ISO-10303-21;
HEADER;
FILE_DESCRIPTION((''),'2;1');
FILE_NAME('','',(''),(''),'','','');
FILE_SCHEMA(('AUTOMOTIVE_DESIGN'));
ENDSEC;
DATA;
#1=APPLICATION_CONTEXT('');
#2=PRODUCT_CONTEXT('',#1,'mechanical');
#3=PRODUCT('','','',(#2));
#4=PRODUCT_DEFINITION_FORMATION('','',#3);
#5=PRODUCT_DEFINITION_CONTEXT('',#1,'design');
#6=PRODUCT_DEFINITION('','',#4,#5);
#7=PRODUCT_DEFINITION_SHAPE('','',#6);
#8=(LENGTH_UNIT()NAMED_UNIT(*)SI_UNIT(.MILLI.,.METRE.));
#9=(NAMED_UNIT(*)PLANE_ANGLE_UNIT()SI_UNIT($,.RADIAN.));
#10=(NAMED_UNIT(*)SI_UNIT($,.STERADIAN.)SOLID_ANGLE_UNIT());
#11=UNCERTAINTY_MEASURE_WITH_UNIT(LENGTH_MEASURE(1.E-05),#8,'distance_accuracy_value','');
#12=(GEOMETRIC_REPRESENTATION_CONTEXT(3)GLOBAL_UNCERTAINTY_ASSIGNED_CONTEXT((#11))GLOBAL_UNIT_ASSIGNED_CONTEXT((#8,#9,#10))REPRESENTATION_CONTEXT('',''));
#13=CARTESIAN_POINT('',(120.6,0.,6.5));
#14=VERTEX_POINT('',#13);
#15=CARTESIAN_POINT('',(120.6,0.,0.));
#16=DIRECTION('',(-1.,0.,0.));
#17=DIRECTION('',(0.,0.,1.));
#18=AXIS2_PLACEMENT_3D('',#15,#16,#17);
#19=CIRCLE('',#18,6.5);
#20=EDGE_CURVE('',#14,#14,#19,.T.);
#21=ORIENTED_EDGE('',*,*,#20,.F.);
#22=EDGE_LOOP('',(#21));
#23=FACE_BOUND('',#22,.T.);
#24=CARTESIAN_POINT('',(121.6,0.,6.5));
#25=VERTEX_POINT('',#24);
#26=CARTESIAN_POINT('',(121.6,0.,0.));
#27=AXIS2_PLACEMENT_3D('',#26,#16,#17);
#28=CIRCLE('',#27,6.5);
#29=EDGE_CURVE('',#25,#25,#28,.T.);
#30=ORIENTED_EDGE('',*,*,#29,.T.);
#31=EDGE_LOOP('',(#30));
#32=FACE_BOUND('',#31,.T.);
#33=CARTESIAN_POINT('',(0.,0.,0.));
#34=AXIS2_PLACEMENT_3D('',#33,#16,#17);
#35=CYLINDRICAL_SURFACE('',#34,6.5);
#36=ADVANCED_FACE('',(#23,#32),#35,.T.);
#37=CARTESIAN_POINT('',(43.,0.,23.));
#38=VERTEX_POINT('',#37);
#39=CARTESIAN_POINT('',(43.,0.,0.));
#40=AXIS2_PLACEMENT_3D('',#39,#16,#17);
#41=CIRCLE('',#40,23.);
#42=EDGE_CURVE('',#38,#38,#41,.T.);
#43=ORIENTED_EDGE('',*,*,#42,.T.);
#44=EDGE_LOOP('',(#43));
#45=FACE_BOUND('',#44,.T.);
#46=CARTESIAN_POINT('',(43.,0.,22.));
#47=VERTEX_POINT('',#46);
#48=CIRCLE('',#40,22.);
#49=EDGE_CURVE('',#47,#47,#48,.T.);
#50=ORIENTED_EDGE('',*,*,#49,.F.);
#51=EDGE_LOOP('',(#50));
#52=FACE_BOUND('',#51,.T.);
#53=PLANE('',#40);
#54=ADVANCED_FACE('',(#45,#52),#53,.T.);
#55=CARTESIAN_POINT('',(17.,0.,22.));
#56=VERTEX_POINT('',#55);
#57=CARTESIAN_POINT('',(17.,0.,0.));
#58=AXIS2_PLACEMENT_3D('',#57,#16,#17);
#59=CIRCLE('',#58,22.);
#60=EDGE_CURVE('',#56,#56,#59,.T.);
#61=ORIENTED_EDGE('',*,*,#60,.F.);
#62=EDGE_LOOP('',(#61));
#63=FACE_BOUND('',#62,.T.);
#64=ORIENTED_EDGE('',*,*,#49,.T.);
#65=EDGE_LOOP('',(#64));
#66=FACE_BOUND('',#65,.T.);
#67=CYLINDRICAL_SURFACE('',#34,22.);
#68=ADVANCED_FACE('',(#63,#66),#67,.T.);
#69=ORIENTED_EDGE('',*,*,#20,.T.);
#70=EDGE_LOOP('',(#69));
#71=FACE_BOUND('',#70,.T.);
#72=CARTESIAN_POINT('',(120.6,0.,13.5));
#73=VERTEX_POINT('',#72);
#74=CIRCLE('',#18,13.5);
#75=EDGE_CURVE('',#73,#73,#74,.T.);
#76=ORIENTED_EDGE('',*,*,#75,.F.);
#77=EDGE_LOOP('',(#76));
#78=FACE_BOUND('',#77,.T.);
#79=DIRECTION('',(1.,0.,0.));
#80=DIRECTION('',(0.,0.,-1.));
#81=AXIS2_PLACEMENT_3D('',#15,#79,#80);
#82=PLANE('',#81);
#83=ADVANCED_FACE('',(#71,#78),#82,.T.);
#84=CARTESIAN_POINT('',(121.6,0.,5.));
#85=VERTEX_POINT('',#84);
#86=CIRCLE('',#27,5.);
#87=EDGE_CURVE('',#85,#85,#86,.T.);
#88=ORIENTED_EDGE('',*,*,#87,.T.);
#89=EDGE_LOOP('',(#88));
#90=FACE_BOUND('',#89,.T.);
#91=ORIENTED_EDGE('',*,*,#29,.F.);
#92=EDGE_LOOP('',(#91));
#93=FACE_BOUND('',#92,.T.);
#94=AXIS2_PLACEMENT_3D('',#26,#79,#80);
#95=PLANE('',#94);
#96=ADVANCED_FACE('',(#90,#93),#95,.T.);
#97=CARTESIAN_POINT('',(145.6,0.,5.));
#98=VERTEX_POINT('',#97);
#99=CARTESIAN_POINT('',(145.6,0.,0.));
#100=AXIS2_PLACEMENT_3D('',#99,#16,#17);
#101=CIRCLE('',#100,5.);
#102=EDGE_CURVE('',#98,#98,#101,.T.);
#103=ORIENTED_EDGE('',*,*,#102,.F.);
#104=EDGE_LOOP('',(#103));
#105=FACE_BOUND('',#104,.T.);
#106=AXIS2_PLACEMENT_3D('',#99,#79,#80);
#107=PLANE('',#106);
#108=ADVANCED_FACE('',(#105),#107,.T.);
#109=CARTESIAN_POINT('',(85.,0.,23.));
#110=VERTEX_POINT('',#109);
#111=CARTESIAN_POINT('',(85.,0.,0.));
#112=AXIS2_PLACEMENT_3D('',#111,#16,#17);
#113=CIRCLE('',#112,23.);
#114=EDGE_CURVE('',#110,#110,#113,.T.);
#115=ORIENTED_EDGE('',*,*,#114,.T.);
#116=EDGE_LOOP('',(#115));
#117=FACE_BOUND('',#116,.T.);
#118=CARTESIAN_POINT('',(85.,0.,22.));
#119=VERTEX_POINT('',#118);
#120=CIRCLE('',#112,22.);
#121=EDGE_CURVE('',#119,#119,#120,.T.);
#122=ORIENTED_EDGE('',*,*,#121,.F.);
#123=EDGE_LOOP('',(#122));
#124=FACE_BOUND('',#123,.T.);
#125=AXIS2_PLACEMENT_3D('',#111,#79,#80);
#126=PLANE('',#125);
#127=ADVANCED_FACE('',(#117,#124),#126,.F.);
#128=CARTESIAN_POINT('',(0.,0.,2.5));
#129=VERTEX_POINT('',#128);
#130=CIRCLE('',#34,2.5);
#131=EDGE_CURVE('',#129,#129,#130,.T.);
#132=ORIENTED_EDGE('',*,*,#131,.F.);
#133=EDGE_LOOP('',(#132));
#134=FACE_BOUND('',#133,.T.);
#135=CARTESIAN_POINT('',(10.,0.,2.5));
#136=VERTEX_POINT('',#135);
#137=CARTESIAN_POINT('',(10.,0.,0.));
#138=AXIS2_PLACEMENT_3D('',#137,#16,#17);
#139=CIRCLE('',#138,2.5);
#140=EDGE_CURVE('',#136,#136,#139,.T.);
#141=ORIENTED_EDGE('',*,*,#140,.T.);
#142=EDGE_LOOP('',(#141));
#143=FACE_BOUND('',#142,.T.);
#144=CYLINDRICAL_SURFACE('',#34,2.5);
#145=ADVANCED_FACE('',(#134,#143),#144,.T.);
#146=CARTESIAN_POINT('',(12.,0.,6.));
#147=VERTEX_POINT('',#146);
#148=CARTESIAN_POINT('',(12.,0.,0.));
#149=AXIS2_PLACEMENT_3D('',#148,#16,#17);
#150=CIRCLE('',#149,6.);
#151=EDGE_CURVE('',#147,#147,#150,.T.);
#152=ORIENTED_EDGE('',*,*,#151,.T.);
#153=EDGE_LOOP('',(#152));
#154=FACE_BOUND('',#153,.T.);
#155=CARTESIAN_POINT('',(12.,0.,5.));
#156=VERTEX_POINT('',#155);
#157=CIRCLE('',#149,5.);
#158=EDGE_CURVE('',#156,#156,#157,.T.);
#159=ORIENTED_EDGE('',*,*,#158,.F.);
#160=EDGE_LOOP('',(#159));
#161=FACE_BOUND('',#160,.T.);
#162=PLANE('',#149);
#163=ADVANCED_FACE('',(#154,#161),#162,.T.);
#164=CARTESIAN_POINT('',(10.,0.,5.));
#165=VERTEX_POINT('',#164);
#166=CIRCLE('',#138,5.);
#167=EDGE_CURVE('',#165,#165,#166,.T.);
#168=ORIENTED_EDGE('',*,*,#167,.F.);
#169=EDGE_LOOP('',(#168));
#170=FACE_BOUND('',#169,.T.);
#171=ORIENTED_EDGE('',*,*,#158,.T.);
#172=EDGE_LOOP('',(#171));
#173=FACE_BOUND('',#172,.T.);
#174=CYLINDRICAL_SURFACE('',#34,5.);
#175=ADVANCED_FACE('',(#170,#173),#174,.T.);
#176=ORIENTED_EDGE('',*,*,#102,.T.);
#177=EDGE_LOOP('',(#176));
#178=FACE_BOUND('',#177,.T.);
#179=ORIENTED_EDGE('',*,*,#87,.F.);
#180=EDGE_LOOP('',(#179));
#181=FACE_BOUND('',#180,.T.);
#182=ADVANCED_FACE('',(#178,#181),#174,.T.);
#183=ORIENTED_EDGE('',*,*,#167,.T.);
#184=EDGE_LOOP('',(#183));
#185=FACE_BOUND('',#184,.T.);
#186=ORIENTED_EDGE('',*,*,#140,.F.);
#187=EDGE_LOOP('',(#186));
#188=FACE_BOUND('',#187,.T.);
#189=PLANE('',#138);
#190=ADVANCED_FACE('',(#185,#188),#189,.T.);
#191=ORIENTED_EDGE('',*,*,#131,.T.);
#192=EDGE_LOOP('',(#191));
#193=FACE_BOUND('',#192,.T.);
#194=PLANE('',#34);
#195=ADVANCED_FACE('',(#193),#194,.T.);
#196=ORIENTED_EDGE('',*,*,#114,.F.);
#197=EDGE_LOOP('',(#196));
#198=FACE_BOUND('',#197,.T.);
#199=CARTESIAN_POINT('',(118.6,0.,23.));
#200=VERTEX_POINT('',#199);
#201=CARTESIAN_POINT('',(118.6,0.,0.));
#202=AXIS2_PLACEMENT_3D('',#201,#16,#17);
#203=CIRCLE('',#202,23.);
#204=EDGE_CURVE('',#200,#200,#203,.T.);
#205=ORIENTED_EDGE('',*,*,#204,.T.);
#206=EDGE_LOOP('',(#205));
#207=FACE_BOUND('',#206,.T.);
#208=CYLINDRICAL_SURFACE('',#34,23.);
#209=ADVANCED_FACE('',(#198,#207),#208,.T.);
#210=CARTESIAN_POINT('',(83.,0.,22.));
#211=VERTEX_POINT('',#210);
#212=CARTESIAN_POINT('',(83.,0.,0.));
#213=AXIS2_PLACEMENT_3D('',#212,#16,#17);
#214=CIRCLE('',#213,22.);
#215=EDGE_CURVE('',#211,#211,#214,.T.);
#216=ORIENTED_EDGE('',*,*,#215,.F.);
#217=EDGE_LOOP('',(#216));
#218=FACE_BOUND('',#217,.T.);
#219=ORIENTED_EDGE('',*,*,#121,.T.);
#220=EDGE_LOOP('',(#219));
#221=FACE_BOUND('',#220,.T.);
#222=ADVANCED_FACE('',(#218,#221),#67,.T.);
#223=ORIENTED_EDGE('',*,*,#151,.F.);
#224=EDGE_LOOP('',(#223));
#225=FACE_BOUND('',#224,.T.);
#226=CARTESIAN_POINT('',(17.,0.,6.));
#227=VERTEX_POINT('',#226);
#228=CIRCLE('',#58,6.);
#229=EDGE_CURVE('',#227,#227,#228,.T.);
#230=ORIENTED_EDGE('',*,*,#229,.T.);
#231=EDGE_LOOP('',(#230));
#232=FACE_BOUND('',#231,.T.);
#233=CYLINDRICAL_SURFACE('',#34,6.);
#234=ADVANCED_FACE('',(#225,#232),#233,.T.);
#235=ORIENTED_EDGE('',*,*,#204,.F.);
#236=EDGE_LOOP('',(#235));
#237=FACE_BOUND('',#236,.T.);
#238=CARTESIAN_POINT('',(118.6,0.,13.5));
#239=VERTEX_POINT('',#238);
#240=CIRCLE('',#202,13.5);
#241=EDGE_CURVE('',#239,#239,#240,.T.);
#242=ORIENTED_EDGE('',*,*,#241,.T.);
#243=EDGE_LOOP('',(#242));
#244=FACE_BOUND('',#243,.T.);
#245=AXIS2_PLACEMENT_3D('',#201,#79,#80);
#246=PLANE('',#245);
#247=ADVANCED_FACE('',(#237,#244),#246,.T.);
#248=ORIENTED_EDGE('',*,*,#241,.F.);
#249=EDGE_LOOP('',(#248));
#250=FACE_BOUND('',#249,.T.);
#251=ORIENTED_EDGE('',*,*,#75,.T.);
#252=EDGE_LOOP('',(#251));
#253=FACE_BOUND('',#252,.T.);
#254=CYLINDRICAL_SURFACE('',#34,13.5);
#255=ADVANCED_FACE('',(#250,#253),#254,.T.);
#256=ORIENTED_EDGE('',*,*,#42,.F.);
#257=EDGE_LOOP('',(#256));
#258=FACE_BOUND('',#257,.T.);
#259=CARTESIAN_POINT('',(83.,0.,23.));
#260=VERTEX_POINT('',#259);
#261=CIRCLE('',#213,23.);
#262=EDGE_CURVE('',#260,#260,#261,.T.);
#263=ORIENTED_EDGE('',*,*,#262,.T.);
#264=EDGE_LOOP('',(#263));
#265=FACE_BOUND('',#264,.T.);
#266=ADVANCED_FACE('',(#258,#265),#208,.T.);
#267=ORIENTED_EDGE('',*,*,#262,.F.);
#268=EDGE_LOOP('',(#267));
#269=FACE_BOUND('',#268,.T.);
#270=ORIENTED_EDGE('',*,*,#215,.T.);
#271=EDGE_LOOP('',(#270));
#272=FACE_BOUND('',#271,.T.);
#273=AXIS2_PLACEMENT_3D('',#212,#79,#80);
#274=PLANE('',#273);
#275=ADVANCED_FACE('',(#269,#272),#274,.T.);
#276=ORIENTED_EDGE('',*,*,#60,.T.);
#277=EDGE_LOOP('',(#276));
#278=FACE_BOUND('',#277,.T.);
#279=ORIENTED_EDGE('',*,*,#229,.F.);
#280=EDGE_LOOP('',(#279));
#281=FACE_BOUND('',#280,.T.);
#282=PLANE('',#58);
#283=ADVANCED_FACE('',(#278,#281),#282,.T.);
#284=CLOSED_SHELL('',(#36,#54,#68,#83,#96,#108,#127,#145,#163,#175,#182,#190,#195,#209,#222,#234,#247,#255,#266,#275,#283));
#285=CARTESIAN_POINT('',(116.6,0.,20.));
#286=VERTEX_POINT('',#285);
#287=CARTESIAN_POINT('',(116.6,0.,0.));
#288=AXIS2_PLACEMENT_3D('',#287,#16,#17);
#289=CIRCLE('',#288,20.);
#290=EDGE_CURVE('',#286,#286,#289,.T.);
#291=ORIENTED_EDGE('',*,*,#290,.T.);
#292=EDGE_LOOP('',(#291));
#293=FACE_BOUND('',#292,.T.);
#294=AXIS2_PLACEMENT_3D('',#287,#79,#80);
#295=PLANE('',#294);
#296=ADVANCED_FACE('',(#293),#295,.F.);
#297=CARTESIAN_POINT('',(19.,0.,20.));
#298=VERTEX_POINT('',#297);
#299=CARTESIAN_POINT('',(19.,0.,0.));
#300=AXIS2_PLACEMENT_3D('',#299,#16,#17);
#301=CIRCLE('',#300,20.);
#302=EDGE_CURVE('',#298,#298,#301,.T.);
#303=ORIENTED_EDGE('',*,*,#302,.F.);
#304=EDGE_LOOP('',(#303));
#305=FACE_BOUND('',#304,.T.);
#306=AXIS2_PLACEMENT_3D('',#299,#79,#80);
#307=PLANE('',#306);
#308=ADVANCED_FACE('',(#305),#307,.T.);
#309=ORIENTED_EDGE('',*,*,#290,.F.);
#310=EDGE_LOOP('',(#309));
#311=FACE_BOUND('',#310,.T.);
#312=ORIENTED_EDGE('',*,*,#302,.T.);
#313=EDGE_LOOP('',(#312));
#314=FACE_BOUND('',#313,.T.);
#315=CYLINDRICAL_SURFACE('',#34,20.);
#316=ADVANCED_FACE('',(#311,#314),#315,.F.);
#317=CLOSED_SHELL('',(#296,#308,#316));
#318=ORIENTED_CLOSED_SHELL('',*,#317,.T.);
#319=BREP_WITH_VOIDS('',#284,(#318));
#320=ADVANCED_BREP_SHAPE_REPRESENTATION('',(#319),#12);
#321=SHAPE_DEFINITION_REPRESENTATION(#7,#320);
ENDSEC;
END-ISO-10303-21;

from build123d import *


with BuildPart() as part:
    # Sketch1 → Revolve1 (revolve)
    with BuildSketch(Plane(origin=(0, 0, 0), x_dir=(1, 0, 0), z_dir=(0, 1, 0)), mode=Mode.PRIVATE) as revolve1_sk:
        Polygon((0, 2.5), (0, 0), (19, 0), (19, 20), (116.6, 20), (116.6, 0), (145.6, 0), (145.6, 5), (121.6, 5), (121.6, 6.5), (120.6, 6.5), (120.6, 13.5), (118.6, 13.5), (118.6, 23), (85, 23), (85, 22), (83, 22), (83, 23), (43, 23), (43, 22), (19, 22), (17, 22), (17, 6), (12, 6), (12, 5), (10, 5), (10, 2.5), align=None)
    revolve(revolve1_sk.sketch.rotate(Axis((0, 0, 0), (1, 0, 0)), 180), axis=Axis((0, 0, 0), (1, 0, 0)))


solid = part.part
